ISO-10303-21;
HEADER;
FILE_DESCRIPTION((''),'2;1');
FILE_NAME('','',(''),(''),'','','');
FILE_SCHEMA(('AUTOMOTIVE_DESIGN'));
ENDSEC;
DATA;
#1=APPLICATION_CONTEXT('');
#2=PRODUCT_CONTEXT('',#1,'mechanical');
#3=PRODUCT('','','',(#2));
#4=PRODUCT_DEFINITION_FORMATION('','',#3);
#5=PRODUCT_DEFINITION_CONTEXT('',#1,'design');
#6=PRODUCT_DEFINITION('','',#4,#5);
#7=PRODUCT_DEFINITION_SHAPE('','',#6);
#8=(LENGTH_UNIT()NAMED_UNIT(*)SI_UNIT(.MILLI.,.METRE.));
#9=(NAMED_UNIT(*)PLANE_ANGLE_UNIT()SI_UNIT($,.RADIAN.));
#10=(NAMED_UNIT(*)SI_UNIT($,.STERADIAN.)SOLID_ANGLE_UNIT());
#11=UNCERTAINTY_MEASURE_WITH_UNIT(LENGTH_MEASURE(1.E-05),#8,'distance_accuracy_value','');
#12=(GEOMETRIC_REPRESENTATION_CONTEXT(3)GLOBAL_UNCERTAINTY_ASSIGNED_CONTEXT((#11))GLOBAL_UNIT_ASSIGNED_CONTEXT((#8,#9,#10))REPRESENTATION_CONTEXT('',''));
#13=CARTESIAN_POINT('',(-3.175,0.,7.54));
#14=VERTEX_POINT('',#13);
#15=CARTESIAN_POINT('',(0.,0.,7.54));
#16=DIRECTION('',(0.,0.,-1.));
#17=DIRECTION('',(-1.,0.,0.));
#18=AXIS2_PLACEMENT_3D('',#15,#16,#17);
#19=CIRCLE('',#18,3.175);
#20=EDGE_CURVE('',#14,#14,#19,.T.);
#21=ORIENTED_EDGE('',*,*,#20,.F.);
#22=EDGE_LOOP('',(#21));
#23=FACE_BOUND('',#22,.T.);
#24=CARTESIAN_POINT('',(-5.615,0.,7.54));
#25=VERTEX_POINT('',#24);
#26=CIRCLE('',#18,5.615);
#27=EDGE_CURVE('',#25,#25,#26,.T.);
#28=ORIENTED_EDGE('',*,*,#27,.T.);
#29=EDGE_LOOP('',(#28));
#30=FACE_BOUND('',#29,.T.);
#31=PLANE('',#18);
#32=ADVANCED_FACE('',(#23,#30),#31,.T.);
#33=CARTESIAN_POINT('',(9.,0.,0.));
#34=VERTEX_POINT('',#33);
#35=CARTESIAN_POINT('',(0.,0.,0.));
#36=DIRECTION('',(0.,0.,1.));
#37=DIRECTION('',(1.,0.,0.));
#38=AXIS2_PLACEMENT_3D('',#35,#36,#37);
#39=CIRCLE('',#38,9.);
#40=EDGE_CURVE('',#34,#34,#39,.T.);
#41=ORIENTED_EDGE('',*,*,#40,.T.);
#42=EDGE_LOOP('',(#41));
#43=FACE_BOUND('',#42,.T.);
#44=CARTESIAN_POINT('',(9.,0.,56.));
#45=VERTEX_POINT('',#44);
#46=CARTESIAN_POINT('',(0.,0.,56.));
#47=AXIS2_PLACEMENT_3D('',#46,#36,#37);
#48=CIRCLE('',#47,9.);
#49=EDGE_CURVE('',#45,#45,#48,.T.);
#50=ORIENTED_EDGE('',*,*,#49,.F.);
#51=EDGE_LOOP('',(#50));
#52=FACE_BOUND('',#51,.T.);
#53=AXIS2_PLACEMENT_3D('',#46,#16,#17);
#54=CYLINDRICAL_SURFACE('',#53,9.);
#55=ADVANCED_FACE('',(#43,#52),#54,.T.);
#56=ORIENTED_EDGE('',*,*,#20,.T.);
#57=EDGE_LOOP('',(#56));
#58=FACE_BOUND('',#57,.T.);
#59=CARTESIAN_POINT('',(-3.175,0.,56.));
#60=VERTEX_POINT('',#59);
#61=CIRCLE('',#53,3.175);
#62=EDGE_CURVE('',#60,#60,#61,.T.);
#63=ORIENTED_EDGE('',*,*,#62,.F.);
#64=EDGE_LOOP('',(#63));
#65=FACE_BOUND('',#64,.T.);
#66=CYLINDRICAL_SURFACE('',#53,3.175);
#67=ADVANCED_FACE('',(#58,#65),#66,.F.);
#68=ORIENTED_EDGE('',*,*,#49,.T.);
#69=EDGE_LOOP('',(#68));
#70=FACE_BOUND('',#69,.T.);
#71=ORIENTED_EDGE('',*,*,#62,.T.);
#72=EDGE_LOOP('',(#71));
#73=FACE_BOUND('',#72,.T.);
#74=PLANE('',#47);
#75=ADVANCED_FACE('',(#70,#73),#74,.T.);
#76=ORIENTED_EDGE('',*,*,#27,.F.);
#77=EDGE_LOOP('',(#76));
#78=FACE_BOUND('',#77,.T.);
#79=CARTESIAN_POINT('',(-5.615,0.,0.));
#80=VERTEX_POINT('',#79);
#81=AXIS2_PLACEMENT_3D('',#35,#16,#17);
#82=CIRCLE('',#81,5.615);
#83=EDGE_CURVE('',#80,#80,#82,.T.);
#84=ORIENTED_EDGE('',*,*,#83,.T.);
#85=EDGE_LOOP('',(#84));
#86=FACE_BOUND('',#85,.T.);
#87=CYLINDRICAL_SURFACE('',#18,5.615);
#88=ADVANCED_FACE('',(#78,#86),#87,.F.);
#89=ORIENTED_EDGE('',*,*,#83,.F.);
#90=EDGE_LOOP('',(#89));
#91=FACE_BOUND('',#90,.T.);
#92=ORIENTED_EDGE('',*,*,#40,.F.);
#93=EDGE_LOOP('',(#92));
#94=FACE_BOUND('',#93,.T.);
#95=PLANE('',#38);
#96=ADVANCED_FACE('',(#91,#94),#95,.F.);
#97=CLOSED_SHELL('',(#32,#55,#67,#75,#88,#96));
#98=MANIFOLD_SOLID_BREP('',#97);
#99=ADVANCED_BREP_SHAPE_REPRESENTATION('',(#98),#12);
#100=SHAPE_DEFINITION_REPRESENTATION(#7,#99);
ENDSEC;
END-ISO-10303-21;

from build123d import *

# Parameters (mm, degrees)
ESBO_O1_R                = 9
RESSALTO_EXTRUS_O1_DEPTH = 56
ESBO_O2_R                = 5.615
CORTE_EXTRUS_O1_DEPTH    = 7.54
ESBO_O3_R                = 3.175
CORTE_EXTRUS_O2_DEPTH    = 49.46


with BuildPart() as part:
    # Esboço1 → Ressalto-extrusão1 (new body)
    with BuildSketch(Plane.XY):
        Circle(ESBO_O1_R)
    extrude(amount=RESSALTO_EXTRUS_O1_DEPTH)

    # Esboço2 → Corte-extrusão1 (cut)
    with BuildSketch(Plane(origin=(0, 0, 0), x_dir=(-1, 0, 0), z_dir=(0, 0, -1))):
        Circle(ESBO_O2_R)
    extrude(amount=-CORTE_EXTRUS_O1_DEPTH, mode=Mode.SUBTRACT)

    # Esboço3 → Corte-extrusão2 (cut, through all)
    with BuildSketch(Plane(origin=(0, 0, 7.54), x_dir=(-1, 0, 0), z_dir=(0, 0, -1))):
        Circle(ESBO_O3_R)
    extrude(amount=-CORTE_EXTRUS_O2_DEPTH, mode=Mode.SUBTRACT)


solid = part.part
